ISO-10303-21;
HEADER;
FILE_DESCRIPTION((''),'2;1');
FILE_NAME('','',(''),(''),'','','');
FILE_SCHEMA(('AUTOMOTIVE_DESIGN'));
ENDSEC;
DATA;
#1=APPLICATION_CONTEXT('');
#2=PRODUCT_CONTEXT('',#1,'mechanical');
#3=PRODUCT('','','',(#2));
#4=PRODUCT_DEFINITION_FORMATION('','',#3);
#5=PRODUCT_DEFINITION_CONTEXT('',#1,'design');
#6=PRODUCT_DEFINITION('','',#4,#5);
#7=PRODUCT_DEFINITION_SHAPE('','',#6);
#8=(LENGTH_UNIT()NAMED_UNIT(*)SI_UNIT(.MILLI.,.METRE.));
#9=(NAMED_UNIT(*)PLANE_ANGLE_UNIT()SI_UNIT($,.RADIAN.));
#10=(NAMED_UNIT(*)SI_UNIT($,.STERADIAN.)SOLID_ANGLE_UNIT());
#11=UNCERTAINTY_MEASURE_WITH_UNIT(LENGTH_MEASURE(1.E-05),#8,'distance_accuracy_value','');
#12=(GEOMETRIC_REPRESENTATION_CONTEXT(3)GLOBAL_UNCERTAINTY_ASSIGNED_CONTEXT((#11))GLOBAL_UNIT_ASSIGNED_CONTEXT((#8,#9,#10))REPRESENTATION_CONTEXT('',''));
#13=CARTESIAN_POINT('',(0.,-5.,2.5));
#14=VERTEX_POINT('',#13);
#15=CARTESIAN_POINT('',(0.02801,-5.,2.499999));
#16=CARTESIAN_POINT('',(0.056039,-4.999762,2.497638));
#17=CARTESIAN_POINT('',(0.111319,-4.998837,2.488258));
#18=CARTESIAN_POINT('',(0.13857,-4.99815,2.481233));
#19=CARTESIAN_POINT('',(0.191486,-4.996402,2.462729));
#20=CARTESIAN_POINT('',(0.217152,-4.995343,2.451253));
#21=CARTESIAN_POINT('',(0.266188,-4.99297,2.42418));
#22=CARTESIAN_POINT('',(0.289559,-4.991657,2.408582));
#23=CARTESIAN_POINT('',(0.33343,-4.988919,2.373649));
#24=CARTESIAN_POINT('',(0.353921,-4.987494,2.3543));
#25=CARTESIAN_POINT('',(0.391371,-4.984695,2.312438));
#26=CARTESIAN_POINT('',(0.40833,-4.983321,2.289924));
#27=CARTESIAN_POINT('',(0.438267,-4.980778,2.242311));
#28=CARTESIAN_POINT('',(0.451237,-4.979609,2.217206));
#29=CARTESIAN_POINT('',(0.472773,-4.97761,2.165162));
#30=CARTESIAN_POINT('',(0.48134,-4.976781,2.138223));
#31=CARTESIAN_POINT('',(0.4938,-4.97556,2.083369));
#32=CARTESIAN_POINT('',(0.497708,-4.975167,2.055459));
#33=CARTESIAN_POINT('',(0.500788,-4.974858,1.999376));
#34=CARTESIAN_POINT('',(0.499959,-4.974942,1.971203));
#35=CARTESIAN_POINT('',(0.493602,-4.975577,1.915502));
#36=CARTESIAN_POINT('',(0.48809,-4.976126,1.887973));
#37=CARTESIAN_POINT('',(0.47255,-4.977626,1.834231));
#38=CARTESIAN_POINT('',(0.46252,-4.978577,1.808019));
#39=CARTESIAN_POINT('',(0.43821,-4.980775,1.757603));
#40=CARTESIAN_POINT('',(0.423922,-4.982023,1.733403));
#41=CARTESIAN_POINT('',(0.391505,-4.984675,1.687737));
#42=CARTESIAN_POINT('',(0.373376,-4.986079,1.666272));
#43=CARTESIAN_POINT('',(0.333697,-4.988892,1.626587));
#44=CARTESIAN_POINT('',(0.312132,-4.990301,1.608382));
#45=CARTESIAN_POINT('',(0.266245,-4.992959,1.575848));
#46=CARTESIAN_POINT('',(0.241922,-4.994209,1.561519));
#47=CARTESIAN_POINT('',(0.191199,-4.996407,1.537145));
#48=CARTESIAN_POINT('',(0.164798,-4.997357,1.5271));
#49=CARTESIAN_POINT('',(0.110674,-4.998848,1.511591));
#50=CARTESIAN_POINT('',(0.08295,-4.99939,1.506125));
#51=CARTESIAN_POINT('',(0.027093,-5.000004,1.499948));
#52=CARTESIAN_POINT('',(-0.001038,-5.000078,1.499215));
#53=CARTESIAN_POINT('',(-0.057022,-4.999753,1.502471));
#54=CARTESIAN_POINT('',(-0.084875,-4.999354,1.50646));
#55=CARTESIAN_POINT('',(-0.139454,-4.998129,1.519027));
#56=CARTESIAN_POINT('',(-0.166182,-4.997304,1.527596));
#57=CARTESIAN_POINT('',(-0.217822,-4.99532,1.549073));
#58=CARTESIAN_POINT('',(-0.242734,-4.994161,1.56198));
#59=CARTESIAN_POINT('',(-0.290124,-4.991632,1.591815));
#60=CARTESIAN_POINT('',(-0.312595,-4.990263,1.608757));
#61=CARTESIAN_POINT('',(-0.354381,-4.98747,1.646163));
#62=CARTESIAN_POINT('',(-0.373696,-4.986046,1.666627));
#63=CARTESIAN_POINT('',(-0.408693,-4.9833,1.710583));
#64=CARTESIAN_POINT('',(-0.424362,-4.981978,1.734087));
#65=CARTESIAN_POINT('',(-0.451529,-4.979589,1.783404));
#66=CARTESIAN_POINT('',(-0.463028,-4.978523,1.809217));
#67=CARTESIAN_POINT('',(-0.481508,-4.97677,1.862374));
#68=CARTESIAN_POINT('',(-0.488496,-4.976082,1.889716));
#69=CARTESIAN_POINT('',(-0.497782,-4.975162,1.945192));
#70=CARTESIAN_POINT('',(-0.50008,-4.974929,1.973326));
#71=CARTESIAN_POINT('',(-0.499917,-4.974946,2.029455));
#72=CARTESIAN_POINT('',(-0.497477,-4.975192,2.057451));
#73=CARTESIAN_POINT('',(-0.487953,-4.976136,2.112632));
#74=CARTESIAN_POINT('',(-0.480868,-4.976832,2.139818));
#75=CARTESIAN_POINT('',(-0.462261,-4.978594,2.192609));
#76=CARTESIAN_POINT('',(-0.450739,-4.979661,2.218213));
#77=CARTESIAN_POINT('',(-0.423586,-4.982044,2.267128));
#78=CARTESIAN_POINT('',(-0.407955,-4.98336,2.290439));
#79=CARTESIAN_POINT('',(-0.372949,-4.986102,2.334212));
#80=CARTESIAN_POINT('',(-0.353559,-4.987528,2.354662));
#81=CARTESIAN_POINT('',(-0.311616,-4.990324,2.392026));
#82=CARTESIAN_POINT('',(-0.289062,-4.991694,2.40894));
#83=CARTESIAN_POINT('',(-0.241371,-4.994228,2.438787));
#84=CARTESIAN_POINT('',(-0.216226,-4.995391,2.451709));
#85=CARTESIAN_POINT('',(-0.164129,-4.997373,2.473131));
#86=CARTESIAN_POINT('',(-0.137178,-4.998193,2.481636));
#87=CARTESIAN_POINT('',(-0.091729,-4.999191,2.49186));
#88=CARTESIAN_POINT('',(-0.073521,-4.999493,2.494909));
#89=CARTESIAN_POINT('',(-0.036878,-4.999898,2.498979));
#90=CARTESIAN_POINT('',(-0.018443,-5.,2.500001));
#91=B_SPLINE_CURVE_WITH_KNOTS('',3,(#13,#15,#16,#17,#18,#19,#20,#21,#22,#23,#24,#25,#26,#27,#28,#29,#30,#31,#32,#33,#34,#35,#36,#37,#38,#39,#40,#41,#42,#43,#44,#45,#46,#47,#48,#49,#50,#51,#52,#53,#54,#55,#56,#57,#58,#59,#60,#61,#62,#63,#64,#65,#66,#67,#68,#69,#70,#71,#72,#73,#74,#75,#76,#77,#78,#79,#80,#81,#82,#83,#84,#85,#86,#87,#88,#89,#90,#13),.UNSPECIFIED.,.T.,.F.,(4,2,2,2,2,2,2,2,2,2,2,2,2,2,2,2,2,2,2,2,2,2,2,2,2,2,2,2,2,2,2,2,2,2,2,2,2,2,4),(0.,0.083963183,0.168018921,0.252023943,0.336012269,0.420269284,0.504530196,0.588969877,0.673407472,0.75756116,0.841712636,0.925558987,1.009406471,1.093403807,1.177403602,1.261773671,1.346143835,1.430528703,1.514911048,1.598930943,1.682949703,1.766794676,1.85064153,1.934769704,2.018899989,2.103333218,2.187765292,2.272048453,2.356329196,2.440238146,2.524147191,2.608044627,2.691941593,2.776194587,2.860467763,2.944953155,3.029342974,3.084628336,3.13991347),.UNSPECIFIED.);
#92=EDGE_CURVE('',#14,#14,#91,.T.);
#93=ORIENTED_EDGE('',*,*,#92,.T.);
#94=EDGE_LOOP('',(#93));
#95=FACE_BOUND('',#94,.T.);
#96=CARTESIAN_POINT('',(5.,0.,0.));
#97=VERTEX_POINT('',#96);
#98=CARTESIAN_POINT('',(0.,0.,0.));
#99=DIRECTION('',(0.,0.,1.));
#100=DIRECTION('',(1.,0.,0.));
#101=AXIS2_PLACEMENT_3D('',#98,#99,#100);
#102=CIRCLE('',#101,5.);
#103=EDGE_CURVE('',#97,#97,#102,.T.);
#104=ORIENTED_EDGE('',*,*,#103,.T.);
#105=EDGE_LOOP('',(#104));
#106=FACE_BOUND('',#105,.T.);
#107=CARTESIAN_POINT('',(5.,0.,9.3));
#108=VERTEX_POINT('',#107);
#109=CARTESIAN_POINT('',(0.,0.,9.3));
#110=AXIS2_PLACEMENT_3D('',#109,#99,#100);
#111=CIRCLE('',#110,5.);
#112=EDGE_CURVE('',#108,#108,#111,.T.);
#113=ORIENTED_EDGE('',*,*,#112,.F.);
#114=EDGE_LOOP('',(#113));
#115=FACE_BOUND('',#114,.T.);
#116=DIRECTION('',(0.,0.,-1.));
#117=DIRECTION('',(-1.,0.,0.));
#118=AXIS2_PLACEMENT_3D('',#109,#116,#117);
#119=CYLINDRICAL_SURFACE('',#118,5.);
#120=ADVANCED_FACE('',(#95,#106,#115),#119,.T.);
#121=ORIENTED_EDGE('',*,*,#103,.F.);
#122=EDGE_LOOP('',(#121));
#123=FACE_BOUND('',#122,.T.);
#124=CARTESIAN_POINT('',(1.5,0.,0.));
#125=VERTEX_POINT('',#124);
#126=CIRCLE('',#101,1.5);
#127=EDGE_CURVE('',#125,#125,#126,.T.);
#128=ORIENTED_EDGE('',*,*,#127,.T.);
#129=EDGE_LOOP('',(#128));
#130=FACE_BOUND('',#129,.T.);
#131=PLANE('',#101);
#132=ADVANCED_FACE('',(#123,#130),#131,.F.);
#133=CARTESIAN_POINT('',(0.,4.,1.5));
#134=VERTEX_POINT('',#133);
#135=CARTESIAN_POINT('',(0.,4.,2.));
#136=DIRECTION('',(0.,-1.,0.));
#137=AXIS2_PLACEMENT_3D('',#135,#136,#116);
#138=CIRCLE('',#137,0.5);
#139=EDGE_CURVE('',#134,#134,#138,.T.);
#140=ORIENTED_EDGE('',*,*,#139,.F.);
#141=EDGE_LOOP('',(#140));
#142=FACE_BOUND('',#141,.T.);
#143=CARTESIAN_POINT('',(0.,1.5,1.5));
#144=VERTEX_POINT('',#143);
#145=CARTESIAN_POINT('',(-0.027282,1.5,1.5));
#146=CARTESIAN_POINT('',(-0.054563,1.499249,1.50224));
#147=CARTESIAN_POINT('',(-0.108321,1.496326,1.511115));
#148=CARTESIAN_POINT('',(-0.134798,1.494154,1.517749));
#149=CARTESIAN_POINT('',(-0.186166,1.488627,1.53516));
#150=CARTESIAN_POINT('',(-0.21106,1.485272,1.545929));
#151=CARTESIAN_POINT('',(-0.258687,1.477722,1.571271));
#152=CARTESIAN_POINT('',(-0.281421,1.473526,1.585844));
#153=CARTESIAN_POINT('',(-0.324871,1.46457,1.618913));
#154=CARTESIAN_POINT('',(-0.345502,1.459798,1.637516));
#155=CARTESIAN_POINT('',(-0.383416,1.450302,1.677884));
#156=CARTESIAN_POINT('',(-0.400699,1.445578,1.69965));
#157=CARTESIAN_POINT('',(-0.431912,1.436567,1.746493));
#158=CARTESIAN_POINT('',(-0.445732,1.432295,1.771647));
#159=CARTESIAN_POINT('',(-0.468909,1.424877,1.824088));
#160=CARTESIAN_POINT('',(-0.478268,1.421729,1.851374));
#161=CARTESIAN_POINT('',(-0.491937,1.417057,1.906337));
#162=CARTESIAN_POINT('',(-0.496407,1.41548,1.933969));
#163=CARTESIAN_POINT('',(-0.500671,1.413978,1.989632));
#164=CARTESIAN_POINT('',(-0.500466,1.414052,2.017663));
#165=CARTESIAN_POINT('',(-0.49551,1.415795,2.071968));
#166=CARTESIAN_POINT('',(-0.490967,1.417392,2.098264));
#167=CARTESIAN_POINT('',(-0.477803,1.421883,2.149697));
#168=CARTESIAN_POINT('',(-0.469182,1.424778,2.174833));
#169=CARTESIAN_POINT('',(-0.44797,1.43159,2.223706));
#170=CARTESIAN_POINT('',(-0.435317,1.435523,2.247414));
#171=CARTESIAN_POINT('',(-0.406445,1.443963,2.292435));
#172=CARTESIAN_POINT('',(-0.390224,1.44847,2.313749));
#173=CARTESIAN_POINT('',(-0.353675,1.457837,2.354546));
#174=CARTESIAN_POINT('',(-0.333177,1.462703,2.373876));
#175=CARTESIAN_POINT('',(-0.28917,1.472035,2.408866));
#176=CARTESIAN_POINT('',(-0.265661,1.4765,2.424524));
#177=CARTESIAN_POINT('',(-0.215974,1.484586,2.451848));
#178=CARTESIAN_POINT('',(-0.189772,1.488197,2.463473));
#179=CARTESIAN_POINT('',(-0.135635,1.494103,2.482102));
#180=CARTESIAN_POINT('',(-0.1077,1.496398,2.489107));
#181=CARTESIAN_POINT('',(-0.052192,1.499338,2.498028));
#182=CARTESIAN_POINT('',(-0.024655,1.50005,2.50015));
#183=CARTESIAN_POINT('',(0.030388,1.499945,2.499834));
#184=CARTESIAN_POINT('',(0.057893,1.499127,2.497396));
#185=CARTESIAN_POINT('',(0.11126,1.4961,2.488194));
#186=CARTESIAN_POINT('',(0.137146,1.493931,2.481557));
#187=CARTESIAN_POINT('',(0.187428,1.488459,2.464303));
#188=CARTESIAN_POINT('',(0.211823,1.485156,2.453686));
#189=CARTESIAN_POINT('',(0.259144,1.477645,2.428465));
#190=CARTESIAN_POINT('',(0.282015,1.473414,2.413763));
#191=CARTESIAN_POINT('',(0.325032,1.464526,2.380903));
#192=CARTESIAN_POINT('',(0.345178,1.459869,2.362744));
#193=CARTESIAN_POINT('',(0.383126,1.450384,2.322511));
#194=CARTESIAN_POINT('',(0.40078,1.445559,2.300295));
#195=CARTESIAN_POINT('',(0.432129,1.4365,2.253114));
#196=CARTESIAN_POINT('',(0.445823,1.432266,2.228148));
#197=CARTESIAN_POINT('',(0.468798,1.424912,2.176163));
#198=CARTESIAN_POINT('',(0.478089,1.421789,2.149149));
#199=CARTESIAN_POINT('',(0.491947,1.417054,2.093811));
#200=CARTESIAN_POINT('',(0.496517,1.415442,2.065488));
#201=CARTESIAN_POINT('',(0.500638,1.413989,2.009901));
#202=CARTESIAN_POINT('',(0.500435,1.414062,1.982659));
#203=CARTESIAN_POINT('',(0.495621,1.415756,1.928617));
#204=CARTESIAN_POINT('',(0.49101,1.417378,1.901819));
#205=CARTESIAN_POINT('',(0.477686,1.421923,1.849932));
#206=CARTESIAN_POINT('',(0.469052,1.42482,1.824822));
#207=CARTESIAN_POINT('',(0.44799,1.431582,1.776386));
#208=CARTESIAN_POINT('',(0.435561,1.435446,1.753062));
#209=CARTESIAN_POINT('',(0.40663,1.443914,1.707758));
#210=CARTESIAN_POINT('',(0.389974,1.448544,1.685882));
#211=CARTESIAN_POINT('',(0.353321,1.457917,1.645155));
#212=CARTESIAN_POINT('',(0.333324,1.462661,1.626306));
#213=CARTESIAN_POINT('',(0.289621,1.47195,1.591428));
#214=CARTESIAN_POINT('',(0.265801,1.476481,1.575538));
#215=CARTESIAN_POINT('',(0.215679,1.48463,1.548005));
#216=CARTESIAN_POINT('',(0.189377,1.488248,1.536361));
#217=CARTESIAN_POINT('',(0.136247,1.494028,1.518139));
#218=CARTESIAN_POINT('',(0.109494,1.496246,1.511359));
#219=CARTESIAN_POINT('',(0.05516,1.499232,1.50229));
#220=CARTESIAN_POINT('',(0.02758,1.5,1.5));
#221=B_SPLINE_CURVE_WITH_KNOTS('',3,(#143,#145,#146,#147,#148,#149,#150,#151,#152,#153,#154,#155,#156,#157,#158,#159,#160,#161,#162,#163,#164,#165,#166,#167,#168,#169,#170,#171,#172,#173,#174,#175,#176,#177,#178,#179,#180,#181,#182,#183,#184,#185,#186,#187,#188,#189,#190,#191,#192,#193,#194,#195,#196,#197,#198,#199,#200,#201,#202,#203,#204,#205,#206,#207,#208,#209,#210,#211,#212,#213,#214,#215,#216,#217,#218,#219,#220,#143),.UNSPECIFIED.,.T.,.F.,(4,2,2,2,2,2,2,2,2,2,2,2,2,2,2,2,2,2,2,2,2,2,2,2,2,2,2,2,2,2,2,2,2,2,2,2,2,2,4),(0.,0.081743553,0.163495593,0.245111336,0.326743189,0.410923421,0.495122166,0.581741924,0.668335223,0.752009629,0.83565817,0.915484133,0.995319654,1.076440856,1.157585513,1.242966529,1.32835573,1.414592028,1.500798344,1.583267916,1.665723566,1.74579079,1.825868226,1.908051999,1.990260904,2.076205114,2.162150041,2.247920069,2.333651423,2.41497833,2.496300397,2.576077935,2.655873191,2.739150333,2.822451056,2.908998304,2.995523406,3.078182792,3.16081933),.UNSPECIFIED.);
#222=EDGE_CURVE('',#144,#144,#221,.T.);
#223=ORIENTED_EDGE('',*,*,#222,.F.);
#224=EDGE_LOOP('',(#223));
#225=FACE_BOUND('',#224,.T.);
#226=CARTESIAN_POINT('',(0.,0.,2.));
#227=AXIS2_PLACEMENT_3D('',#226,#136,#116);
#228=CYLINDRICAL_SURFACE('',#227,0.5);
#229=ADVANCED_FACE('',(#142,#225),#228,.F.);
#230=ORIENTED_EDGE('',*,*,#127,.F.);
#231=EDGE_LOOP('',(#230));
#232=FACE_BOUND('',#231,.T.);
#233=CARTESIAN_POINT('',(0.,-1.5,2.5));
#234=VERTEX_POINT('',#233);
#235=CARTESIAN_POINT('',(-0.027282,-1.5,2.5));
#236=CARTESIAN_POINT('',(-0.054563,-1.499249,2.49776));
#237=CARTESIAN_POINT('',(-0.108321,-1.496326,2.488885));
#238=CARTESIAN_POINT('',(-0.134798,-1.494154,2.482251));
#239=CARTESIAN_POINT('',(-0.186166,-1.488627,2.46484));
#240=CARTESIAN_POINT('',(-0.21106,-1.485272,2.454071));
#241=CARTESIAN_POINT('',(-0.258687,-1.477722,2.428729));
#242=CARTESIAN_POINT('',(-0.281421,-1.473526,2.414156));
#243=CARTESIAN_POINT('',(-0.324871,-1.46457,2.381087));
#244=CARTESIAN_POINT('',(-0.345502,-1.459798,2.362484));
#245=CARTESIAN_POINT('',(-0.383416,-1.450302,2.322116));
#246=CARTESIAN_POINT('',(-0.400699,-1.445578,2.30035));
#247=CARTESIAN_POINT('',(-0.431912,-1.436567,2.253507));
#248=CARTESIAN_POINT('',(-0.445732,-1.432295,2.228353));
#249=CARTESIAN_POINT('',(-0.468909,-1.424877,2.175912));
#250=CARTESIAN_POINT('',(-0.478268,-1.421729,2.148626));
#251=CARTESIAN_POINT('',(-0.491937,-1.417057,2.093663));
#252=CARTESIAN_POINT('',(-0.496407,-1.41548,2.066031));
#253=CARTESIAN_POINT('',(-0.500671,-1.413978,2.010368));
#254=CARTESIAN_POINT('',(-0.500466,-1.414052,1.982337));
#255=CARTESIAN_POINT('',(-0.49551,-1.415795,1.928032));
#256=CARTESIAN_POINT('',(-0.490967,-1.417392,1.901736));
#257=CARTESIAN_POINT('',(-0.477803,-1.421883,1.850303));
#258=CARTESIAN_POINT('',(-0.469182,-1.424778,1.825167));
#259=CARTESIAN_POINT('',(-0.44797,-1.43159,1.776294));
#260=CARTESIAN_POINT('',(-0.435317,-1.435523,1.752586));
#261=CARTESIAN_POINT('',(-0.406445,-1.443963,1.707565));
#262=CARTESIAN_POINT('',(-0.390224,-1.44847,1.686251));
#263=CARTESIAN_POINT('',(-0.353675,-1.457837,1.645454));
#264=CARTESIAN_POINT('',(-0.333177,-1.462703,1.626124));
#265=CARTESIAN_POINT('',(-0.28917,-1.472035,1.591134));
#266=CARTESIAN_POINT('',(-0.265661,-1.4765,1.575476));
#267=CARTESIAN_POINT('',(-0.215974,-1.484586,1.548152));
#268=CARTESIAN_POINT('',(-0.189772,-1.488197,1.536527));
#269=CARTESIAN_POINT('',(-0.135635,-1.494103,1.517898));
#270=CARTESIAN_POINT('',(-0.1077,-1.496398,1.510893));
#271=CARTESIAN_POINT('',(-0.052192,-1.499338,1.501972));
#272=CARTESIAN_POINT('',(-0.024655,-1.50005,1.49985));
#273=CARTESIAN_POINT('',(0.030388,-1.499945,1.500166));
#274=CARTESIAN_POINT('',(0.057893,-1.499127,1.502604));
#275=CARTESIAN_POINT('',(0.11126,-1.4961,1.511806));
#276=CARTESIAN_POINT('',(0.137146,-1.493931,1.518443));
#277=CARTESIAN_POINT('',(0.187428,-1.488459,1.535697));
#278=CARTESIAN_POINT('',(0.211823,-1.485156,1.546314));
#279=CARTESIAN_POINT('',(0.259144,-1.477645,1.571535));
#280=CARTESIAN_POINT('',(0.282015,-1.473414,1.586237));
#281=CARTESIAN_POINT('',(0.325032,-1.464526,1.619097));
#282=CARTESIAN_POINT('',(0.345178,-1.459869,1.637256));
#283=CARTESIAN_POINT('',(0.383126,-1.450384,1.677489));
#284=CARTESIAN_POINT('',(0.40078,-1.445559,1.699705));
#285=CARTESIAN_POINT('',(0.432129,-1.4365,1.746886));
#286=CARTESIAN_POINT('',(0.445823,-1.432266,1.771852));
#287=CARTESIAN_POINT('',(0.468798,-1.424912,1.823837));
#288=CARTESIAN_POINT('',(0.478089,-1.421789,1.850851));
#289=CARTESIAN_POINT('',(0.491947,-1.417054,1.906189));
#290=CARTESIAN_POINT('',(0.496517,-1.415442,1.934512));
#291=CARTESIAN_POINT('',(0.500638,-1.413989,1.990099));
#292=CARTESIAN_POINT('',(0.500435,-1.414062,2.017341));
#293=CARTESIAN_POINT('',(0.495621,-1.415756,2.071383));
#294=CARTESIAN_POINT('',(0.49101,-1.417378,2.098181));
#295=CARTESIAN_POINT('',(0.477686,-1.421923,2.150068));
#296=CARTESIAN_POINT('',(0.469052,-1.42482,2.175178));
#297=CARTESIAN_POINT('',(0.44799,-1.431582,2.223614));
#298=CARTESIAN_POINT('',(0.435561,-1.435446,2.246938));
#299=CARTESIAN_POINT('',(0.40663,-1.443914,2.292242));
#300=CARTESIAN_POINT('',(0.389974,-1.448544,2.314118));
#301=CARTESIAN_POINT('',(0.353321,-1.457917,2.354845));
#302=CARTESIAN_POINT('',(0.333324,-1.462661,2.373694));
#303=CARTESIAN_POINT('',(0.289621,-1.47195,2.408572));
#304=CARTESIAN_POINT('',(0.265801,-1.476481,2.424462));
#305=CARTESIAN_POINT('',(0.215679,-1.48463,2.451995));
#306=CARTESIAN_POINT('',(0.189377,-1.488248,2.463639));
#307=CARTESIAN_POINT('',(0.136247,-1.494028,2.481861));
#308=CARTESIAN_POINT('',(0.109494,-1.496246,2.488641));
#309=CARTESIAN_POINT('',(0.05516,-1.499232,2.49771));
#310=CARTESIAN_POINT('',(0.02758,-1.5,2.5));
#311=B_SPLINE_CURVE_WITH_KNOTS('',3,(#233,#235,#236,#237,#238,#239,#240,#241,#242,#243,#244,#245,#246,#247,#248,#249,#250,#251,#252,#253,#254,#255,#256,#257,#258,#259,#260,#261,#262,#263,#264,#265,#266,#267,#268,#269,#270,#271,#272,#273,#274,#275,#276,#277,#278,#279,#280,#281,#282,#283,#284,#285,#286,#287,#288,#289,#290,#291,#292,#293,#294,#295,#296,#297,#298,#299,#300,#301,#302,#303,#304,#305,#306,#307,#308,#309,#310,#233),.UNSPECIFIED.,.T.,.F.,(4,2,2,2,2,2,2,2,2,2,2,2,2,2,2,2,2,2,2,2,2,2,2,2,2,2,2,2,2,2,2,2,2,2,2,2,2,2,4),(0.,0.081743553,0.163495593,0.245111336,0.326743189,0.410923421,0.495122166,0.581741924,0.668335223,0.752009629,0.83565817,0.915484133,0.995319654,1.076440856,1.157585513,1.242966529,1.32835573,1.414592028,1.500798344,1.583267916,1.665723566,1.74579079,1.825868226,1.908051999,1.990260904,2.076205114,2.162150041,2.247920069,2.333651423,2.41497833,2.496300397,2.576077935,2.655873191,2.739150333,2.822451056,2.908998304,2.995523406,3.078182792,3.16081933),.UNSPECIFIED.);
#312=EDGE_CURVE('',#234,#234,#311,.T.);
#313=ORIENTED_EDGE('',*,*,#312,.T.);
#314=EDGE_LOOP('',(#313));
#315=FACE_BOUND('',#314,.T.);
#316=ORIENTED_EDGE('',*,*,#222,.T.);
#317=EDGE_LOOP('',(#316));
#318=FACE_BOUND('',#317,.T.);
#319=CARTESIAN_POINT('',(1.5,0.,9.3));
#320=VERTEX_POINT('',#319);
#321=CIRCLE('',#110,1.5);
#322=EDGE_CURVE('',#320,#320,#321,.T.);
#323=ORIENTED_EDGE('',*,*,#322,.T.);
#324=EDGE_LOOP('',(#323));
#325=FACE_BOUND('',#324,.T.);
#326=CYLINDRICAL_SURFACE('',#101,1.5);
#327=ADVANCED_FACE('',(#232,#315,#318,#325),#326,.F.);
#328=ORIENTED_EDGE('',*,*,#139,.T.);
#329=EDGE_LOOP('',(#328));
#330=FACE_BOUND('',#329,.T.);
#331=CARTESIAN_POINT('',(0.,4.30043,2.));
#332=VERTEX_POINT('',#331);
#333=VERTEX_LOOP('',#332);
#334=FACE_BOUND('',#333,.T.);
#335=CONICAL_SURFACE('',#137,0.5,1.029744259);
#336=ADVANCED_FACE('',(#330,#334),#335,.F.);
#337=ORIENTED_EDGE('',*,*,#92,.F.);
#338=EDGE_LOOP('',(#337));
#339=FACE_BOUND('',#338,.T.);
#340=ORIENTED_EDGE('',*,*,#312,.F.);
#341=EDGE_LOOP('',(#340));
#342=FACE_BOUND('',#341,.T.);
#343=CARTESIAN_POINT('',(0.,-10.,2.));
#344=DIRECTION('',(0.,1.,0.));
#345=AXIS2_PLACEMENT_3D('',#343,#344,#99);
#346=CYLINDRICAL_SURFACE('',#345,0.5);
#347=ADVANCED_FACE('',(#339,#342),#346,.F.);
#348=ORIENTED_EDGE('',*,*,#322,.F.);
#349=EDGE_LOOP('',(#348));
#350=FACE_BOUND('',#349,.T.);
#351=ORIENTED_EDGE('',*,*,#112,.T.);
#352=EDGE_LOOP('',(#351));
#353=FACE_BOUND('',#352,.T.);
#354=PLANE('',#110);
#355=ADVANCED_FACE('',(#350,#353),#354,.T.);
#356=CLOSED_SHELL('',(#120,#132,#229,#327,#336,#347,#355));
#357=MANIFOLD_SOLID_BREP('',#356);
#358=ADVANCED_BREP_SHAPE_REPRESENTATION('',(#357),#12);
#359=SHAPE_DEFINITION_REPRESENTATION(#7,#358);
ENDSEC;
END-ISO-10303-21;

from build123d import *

# Parameters (mm, degrees)
SKIZZE1_R                            = 5
AUFSATZ_LINEAR_AUSTRAGEN1_DEPTH      = 9.3
SCHNITT_LINEAR_AUSTRAGEN1_DEPTH      = 12.682893477
SCHNITT_LINEAR_AUSTRAGEN1_DEPTH_BACK = 12.682893477
SKIZZE2_R                            = 1.5
SCHNITT_LINEAR_START                 = -10
SKIZZE9_R                            = 0.5
SCHNITT_LINEAR_AUSTRAGEN2_DEPTH      = 10


with BuildPart() as part:
    # Skizze1 → Aufsatz-Linear austragen1 (new body)
    with BuildSketch(Plane.XY):
        Circle(SKIZZE1_R)
    extrude(amount=AUFSATZ_LINEAR_AUSTRAGEN1_DEPTH)

    # Skizze2 → Schnitt-Linear austragen1 (cut, two sides: drawn at the far end of the back side and taken through both)
    with BuildSketch(Plane.XY.offset(9.3).offset(-SCHNITT_LINEAR_AUSTRAGEN1_DEPTH_BACK)):
        Circle(SKIZZE2_R)
    extrude(amount=SCHNITT_LINEAR_AUSTRAGEN1_DEPTH + SCHNITT_LINEAR_AUSTRAGEN1_DEPTH_BACK, mode=Mode.SUBTRACT)

    # Skizze8 → Ø1.0 (1) Durchmesser Bohrung3 (revolve, cut)
    with BuildSketch(Plane(origin=(0, 0, 2), x_dir=(0, 0, -1), z_dir=(1, 0, 0))):
        Polygon((0, 0), (0, 4.30043031), (0.5, 4), (0.5, 0), align=None)
    revolve(axis=Axis((0, -6.35, 2), (0, 1, 0)), mode=Mode.SUBTRACT)

    # Skizze9 → Schnitt-Linear austragen2 (cut)
    with BuildSketch(Plane(origin=(0, 0, 0), x_dir=(1, 0, 0), z_dir=(0, 1, 0)).offset(SCHNITT_LINEAR_START)):
        with Locations(Location((0, -2, 0), (0, 0, 90))):
            Circle(SKIZZE9_R)
    extrude(amount=SCHNITT_LINEAR_AUSTRAGEN2_DEPTH, mode=Mode.SUBTRACT)


solid = part.part
